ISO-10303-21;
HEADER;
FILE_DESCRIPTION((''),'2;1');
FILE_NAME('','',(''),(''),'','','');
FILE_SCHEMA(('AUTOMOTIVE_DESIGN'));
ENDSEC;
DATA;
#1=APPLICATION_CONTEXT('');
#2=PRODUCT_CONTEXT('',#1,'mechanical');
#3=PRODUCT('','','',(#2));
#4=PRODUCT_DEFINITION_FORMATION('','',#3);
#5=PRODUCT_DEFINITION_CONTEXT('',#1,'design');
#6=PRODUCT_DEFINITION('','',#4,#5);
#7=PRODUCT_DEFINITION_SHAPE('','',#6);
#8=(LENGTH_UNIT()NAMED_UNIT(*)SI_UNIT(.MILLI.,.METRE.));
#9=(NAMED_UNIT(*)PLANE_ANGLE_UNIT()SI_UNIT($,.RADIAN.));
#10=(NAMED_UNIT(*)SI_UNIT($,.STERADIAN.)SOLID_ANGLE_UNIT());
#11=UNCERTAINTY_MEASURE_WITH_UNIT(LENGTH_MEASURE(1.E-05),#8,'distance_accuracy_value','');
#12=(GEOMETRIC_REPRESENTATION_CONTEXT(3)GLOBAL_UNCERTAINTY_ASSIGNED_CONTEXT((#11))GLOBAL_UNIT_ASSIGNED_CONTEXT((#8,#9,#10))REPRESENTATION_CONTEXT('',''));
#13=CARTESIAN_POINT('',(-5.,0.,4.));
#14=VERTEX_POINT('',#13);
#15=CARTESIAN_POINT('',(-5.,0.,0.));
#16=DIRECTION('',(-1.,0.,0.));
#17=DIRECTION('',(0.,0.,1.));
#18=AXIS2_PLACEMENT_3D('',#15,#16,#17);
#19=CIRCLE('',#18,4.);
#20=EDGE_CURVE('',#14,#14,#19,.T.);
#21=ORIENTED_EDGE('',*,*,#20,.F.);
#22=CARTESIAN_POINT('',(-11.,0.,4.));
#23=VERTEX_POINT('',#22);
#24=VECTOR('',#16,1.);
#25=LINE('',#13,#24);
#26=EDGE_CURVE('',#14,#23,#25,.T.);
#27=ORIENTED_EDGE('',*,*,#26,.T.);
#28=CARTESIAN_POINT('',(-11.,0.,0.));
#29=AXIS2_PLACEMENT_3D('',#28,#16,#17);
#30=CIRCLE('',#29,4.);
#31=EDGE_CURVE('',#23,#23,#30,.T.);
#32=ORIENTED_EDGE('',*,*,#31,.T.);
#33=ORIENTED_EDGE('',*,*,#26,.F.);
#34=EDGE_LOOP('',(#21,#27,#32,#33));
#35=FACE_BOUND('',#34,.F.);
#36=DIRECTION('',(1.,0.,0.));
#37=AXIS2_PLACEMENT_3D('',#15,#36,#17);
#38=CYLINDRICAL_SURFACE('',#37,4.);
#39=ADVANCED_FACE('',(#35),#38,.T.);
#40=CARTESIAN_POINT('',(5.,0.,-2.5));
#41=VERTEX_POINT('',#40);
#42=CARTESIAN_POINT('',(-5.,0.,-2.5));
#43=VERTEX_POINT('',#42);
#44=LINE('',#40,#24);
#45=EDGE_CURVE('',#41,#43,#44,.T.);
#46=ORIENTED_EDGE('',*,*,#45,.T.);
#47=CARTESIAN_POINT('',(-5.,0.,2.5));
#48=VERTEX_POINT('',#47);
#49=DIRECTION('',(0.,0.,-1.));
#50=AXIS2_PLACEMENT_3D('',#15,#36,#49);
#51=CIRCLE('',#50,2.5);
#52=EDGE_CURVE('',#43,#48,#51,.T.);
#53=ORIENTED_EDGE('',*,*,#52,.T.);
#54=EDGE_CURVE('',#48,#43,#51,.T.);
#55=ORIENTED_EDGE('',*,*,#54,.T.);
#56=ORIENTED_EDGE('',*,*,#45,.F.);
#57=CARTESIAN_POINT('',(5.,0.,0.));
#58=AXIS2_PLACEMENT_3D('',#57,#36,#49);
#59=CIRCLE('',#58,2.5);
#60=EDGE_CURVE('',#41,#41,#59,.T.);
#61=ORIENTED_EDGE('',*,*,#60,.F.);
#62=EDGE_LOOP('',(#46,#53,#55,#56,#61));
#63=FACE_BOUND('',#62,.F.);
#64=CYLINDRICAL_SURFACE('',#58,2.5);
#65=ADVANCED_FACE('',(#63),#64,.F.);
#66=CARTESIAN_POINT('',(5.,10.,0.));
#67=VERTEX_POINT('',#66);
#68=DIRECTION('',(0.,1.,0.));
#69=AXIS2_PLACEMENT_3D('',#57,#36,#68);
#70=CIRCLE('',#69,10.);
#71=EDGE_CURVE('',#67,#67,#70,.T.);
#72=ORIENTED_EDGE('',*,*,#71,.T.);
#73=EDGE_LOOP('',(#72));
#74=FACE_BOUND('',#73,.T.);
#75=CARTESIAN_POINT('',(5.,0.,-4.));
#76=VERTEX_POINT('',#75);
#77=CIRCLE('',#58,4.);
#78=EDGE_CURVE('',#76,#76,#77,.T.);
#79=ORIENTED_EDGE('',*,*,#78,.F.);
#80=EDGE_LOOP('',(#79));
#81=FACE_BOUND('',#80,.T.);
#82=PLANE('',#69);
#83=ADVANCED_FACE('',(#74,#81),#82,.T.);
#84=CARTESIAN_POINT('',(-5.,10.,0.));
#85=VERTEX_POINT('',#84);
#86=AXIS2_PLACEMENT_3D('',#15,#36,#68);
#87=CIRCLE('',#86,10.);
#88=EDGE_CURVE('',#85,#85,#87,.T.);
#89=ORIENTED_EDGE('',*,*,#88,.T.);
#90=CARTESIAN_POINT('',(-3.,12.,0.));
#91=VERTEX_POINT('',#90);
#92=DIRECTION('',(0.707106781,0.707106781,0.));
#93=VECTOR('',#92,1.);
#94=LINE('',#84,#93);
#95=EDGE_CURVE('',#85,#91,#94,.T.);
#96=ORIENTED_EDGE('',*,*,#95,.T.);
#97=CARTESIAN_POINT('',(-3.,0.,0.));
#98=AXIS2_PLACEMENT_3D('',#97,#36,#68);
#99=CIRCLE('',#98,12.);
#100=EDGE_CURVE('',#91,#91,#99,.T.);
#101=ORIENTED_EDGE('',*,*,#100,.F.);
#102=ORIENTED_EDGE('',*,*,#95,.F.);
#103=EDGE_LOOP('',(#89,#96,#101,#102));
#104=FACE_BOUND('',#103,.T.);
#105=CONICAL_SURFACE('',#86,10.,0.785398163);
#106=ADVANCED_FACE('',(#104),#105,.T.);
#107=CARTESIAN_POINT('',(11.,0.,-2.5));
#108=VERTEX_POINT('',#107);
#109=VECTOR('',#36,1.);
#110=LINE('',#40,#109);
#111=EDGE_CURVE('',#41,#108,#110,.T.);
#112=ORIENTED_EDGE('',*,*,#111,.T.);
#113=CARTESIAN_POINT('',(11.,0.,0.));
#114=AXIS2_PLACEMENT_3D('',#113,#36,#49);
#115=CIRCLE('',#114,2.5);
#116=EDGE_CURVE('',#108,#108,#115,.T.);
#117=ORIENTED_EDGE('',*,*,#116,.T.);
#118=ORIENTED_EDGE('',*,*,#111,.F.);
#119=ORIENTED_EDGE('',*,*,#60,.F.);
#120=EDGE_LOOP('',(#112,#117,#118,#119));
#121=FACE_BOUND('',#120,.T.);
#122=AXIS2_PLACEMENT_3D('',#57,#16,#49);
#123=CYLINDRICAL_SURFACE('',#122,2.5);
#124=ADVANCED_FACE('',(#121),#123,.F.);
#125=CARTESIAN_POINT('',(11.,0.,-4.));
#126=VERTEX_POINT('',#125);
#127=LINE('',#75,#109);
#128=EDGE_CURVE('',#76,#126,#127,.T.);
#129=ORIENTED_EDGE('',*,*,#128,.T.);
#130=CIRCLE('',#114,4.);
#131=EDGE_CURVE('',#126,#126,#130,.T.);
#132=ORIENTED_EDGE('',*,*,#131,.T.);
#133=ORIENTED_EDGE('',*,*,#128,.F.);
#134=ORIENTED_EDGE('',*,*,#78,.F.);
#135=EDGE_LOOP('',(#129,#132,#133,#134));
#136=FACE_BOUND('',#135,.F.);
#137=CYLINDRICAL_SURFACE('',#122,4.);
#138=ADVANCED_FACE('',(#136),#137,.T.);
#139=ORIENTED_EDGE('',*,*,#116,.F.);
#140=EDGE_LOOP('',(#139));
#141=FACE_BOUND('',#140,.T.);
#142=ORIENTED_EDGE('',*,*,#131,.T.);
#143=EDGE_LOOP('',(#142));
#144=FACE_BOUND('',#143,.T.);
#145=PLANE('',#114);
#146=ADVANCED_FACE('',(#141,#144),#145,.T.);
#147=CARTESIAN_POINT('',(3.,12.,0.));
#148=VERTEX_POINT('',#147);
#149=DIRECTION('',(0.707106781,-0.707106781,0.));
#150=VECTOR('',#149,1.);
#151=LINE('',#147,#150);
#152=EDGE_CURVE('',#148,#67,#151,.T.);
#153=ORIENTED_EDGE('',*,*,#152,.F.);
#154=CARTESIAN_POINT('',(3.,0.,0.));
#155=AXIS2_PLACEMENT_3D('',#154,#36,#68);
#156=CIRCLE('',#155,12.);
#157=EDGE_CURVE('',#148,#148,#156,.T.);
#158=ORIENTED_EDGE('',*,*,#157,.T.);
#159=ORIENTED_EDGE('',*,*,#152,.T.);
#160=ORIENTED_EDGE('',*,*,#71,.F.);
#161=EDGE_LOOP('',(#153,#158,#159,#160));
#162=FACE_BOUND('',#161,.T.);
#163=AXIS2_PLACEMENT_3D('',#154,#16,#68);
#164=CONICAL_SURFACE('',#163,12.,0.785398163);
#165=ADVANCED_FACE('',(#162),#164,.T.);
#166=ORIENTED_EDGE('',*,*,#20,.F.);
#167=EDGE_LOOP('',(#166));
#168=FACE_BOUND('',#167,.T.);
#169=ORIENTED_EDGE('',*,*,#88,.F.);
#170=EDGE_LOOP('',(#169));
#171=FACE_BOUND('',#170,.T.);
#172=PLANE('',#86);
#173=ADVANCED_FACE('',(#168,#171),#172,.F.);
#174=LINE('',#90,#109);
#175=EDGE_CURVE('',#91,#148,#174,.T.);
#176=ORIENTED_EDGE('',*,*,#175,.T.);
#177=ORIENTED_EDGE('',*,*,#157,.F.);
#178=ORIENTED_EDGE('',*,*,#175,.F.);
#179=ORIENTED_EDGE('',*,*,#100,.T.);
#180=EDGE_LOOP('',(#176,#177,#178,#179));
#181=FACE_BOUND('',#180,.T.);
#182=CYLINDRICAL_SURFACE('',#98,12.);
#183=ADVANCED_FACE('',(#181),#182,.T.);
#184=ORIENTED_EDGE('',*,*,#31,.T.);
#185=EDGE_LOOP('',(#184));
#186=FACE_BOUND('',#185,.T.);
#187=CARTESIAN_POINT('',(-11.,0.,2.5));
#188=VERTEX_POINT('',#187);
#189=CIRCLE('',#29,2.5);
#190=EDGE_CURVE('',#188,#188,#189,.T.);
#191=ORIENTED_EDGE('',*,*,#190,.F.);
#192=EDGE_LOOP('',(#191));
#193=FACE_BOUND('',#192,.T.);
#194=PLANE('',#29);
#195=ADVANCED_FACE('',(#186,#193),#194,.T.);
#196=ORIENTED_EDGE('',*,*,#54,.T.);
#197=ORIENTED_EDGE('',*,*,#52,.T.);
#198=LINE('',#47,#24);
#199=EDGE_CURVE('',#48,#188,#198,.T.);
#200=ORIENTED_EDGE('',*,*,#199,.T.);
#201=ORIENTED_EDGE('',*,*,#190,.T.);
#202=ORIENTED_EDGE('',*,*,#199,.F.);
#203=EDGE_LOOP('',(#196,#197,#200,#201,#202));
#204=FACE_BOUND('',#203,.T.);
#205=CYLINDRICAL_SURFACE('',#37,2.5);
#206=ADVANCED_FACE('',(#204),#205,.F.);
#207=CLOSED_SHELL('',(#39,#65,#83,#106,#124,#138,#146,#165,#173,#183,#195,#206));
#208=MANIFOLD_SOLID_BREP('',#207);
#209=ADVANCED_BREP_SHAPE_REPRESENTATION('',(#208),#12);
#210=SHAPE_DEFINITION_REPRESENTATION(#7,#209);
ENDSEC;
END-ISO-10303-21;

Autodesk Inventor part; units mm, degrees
ref_plane "YZ Plane" through (0, 0, 0) normal (1, 0, 0) x (0, 1, 0)
ref_plane "XZ Plane" through (0, 0, 0) normal (0, 1, 0) x (-1, 0, 0)
ref_plane "XY Plane" through (0, 0, 0) normal (0, 0, 1) x (1, 0, 0)
sketch "Sketch1" plane through (0, 0, 0) normal (0, 0, 1) x (1, 0, 0)
  line L0 (-5, 0) -> (5, 0)
  line L1 (-5, 0) -> (-5, 10)
  line L2 (-5, 10) -> (-3, 12)
  line L3 (-3, 12) -> (3, 12)
  line L4 (3, 12) -> (5, 10)
  line L5 (5, 10) -> (5, 0)
  point P0 (0, 0)
  point P1 (0, 0)
  point P2 (0, 12)
  dimension "d0" = 10
  dimension "d1" = 24
  dimension "d2" = 6
  dimension "d3" = 20
revolve "Revolution1" add sketch "Sketch1" angle 360 about axis through (-5, 0, 0) along (1, 0, 0)
sketch "Sketch2" plane through (5, 0, 0) normal (1, 0, 0) x (0, 0, -1)
  circle A0 centre (0, 0) radius 2.5
  dimension "d5" = 5
extrude "Extrusion1" cut sketch "Sketch2" against normal through all
sketch "Sketch3" plane through (5, 0, 0) normal (1, 0, 0) x (0, 0, -1)
  circle A0 centre (0, 0) radius 4
  circle A1 centre (0, 0) radius 2.5 projected
  dimension "d8" = 8
extrude "Extrusion2" add sketch "Sketch3" along normal blind 6
sketch "Sketch4" plane through (-5, 0, 0) normal (-1, 0, 0) x (0, 0, 1)
  circle A0 centre (0, 0) radius 2.5 projected
  circle A1 centre (0, 0) radius 4
  dimension "d11" = 8
extrude "Extrusion3" add sketch "Sketch4" along normal blind 6
properties part number "wheel"
